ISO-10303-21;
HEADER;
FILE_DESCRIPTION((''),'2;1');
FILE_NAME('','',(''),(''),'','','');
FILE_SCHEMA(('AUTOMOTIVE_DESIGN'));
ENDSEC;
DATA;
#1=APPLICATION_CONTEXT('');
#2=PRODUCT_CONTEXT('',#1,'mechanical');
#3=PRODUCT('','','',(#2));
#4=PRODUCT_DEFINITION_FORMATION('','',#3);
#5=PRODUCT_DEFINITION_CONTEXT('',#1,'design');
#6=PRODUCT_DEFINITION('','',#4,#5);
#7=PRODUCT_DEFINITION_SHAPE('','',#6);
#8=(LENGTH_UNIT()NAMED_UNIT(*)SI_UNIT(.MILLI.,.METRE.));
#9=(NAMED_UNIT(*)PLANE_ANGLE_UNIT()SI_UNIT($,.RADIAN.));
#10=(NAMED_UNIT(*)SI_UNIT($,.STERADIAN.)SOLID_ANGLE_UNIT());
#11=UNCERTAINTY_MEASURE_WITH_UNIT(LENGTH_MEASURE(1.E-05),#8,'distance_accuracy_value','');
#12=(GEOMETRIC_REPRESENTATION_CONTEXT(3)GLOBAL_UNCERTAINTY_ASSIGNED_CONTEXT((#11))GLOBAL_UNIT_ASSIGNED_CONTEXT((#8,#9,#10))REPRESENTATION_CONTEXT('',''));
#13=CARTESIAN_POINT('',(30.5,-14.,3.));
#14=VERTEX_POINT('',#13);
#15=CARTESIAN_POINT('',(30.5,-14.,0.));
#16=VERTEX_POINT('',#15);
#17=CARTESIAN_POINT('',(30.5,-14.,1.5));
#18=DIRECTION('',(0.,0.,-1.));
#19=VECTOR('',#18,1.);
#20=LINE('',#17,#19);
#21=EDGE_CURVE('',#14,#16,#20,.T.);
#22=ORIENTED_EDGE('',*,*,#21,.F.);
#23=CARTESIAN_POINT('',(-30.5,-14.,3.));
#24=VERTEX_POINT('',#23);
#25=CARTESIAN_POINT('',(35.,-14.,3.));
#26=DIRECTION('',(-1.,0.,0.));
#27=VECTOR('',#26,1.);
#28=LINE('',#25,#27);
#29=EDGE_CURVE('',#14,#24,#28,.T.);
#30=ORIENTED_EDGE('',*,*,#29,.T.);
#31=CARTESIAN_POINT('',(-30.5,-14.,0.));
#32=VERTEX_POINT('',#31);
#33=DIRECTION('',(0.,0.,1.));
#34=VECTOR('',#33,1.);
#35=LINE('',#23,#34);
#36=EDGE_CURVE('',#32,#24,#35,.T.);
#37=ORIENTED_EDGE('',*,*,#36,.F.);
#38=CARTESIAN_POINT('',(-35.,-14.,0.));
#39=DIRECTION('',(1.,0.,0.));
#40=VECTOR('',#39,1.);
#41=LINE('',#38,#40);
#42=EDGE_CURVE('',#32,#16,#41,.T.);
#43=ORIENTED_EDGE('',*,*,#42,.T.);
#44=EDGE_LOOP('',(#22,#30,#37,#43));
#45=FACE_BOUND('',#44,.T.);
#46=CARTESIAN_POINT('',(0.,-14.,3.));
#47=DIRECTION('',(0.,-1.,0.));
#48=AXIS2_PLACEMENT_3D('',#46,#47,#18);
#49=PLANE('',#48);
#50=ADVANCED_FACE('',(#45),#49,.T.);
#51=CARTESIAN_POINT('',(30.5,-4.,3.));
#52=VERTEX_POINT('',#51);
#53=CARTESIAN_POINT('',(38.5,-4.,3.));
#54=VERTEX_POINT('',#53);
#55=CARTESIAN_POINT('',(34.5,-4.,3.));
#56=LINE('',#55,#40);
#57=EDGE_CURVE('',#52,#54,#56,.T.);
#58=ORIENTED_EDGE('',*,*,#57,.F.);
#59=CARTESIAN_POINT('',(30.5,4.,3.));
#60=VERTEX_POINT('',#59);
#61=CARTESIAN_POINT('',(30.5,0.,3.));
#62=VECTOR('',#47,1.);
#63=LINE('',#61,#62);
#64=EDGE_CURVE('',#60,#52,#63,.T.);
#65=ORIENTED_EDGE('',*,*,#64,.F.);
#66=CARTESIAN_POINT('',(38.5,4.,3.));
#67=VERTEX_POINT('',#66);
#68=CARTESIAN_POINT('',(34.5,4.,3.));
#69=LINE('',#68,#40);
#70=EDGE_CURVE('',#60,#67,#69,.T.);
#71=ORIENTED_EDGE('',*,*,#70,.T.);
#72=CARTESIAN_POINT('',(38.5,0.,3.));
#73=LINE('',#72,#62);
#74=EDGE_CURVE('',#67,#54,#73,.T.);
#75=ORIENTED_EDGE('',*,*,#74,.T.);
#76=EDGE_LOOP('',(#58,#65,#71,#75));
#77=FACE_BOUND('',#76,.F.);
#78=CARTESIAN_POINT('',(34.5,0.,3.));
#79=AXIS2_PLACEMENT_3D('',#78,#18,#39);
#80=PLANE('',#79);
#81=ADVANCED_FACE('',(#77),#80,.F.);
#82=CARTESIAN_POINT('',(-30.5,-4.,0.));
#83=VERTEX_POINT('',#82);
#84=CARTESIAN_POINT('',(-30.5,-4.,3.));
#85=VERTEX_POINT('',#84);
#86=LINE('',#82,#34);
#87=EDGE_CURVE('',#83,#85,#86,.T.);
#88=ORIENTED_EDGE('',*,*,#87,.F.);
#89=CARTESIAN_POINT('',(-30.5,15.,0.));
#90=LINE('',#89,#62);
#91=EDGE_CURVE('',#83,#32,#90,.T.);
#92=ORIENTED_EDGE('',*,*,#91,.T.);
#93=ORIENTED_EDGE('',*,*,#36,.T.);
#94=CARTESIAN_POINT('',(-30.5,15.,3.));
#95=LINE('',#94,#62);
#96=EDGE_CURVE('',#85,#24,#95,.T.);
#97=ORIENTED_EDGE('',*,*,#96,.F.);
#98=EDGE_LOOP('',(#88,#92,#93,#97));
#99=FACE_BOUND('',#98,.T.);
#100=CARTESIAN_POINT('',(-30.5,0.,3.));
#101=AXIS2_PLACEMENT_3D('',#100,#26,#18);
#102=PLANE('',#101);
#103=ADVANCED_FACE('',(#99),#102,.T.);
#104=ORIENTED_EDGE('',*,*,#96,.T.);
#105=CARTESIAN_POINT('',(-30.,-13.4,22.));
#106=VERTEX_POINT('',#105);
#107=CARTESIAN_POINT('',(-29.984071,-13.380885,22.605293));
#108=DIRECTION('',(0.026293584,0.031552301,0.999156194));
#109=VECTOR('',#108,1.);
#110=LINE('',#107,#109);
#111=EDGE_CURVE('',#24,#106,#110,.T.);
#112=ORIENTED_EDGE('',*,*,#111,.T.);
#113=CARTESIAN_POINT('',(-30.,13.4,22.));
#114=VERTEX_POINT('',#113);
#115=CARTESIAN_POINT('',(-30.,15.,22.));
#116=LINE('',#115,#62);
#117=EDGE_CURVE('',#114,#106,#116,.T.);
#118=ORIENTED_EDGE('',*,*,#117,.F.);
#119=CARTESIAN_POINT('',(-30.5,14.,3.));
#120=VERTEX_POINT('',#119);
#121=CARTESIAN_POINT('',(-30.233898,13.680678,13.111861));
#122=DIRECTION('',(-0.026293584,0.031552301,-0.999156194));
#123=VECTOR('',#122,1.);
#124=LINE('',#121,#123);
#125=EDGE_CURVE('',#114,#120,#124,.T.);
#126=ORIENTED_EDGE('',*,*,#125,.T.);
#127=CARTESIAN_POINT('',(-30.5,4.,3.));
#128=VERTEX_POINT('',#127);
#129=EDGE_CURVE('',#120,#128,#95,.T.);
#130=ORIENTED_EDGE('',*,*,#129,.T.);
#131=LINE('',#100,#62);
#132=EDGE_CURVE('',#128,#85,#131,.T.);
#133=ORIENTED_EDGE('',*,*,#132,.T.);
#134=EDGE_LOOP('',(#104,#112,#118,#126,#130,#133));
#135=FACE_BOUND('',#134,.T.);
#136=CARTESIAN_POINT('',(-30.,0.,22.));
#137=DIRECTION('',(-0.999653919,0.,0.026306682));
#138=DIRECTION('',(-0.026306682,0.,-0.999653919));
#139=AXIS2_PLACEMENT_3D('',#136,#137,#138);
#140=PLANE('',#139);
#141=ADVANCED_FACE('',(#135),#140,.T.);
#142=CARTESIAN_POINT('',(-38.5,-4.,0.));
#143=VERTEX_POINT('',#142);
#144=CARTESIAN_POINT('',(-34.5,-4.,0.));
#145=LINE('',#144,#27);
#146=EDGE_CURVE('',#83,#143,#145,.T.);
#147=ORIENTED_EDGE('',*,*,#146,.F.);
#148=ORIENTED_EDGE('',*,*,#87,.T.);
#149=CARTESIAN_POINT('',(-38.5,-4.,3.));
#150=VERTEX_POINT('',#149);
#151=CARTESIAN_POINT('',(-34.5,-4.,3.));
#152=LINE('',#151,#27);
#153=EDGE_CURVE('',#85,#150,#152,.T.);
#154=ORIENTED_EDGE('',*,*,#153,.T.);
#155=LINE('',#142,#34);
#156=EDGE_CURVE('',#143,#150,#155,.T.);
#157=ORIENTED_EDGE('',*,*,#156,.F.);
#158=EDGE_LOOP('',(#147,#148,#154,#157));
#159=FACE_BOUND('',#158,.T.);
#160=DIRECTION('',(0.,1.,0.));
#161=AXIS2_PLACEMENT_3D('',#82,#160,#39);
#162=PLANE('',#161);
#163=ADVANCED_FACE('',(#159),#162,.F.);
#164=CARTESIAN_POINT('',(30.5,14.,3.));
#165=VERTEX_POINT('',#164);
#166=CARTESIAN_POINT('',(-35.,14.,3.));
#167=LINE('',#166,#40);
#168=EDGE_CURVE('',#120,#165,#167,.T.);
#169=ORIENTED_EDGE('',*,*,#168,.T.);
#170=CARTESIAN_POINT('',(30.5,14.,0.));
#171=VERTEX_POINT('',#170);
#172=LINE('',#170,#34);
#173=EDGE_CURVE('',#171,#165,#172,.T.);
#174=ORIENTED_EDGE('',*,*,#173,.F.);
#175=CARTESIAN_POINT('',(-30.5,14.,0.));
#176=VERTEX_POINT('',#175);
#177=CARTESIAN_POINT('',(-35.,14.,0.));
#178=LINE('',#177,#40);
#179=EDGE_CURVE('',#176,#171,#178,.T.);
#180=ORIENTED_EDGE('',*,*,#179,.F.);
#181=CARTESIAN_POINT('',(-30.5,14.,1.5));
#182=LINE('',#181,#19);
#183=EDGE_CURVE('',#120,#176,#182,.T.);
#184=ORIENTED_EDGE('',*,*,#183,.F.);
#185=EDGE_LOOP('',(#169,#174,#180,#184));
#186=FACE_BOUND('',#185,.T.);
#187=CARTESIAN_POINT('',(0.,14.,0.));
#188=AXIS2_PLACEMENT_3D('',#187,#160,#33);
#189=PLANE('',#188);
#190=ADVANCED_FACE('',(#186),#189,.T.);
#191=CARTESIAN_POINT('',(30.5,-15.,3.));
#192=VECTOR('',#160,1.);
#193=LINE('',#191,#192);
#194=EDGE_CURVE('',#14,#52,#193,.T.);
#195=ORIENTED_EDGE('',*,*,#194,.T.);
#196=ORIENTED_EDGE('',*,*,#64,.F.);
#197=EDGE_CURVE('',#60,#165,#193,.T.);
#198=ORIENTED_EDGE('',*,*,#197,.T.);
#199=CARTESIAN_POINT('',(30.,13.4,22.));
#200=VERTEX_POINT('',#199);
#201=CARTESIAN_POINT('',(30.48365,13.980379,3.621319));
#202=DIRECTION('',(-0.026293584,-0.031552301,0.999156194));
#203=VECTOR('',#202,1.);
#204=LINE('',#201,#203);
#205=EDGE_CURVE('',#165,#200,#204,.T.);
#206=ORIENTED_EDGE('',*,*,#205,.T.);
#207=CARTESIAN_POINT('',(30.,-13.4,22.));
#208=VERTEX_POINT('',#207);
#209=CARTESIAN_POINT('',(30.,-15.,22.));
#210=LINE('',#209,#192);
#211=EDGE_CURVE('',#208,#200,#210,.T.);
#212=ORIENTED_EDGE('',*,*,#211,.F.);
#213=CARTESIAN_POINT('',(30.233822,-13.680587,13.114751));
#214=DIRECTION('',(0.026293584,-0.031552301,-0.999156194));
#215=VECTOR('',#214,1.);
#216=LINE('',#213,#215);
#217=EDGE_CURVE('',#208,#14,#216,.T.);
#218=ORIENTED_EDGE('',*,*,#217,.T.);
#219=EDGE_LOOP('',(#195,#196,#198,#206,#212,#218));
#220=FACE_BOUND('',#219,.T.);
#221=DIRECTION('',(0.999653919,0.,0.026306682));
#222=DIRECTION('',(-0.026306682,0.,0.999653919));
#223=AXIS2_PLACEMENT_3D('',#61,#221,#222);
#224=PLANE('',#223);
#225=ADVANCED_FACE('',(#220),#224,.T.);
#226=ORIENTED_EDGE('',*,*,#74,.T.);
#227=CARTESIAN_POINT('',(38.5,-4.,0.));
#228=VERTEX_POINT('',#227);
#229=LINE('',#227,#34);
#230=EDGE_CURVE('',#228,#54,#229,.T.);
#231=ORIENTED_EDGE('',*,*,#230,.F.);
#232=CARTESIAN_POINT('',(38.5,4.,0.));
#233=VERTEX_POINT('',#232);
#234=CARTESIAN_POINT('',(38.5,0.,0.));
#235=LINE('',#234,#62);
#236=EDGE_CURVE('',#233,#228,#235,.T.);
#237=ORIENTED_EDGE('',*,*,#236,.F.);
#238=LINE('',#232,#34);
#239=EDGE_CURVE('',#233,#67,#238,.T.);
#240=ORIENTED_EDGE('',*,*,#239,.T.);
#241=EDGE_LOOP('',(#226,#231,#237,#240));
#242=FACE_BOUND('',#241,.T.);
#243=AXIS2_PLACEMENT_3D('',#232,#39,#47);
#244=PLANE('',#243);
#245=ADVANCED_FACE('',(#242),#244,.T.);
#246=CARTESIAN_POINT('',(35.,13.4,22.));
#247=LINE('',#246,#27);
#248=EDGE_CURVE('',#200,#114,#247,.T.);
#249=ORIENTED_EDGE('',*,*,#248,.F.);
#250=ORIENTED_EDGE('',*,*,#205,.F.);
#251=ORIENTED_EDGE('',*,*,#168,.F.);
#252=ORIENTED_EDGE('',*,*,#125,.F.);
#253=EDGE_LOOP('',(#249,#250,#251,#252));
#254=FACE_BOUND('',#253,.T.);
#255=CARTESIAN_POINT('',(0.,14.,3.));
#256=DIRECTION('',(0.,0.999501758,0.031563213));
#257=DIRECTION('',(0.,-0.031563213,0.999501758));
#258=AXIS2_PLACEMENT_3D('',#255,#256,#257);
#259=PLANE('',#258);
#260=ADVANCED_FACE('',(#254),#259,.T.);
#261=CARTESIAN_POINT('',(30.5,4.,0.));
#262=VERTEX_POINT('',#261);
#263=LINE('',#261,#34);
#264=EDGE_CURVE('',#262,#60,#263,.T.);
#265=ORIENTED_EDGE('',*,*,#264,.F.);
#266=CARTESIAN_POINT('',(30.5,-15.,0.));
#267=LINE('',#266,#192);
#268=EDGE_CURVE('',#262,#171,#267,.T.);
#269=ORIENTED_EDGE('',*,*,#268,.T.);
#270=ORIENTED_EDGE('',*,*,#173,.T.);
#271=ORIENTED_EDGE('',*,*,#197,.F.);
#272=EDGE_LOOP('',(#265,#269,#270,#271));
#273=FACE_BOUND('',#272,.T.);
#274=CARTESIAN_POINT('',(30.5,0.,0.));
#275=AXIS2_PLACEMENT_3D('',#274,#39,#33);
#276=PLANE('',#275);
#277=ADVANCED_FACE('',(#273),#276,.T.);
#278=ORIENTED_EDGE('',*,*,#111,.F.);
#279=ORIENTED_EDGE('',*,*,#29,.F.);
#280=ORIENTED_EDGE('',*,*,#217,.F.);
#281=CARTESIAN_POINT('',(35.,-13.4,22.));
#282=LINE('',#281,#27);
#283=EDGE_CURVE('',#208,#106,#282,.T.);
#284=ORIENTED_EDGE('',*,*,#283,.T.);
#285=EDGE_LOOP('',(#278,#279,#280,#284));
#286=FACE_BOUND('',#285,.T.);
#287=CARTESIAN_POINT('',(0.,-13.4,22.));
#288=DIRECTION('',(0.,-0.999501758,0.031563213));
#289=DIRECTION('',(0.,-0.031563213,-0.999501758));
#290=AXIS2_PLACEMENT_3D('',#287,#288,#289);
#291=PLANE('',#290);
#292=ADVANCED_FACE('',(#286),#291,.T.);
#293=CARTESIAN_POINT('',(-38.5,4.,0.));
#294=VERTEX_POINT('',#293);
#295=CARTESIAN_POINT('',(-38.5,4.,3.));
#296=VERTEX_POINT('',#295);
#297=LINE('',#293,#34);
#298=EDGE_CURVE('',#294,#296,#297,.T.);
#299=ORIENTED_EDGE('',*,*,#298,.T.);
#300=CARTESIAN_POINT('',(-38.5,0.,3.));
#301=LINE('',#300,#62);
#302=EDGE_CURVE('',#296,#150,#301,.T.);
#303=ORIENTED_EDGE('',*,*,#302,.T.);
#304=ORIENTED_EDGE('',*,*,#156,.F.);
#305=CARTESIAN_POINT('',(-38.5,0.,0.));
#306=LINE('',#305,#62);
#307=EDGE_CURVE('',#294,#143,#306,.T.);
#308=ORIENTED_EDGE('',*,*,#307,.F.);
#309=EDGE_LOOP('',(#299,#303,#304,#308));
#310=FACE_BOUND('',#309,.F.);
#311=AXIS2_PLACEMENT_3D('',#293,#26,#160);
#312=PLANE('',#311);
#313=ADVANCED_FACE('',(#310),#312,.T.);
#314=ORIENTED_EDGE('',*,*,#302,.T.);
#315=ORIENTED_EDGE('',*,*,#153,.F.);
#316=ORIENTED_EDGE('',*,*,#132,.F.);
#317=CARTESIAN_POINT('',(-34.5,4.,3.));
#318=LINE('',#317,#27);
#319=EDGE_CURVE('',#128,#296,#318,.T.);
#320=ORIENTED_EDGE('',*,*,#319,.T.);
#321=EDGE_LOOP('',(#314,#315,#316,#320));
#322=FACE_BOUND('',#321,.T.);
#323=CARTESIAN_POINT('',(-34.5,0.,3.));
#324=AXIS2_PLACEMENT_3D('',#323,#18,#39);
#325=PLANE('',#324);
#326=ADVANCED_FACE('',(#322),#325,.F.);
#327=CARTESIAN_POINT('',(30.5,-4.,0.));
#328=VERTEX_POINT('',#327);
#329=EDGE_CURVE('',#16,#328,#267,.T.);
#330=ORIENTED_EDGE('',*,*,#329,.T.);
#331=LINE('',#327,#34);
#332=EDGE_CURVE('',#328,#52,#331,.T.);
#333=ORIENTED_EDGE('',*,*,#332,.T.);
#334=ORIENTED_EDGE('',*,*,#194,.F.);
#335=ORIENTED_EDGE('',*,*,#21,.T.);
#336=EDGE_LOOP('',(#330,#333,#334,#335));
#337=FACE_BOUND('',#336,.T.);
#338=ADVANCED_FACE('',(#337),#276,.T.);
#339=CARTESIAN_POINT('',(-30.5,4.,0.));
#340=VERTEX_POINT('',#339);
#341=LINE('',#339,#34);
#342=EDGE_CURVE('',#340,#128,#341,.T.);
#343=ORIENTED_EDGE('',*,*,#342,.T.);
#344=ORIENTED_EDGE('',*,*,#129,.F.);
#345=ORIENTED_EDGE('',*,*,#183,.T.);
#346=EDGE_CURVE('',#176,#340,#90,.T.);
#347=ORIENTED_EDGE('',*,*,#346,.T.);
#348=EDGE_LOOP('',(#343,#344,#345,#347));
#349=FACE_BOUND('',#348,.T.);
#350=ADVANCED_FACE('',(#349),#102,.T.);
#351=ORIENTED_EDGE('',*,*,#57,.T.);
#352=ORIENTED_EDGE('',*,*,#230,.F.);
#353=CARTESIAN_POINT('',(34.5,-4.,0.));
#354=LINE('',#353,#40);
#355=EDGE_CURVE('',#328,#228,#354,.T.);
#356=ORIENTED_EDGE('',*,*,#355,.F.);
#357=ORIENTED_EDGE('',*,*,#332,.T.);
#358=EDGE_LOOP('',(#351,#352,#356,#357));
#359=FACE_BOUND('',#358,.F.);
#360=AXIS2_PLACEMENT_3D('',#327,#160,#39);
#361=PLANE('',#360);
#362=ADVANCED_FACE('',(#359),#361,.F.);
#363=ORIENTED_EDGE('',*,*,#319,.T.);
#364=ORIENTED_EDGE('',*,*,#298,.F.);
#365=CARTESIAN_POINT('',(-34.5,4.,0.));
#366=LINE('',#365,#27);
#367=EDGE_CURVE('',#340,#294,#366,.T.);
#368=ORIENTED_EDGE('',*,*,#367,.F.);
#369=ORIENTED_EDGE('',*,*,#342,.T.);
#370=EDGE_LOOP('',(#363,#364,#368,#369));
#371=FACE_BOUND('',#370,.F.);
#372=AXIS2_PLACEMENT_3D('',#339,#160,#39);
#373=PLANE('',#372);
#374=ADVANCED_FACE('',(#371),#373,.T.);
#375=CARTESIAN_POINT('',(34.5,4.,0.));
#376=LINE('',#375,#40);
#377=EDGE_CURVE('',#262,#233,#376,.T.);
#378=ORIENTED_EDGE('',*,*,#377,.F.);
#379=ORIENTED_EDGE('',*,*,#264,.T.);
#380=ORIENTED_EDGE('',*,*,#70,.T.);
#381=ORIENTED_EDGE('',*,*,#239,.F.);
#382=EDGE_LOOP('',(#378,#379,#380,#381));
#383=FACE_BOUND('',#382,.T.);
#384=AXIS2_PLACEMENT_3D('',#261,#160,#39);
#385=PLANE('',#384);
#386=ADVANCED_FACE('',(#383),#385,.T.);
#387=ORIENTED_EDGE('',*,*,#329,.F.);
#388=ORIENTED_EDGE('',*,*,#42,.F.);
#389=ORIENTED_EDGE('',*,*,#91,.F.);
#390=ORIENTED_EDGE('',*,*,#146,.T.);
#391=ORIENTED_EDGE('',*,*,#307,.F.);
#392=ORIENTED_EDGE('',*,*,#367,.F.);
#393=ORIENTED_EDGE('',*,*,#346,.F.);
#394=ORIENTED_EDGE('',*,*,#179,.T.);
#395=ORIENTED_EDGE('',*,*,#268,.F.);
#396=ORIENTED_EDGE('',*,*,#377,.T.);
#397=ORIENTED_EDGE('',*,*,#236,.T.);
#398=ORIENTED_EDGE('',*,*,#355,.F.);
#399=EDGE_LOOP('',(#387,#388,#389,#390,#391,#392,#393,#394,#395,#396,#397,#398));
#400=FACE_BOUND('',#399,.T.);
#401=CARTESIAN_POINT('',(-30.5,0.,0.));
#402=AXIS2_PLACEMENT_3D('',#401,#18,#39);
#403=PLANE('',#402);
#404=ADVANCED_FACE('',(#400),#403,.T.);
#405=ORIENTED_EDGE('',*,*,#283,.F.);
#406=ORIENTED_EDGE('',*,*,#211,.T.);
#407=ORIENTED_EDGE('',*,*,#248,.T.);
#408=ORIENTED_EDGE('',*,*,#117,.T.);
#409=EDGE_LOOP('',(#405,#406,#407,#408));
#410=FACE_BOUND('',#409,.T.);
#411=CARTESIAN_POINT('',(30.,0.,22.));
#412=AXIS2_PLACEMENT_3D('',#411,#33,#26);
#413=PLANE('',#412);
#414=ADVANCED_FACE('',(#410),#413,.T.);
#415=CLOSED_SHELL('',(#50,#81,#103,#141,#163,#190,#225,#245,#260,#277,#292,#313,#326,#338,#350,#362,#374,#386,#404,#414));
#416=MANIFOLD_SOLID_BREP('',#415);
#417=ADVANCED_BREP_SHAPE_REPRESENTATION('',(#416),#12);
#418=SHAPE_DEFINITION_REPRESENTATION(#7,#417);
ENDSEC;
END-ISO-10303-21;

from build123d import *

# Parameters (mm, degrees)
F1_DEPTH = 15
F3_DEPTH = 35
F4_W     = 8
F4_H     = 8
F5_DEPTH = 3


with BuildPart() as f1:
    # F0 (on Front) → F1 (new body, symmetric)
    with BuildSketch(Plane.XZ):
        Polygon((30, 22), (-30, 22), (-30.5, 3), (-30.5, 0), (30.5, 0), (30.5, 3), align=None)
    extrude(amount=F1_DEPTH, both=True)

    # F2 (on Right) → F3 (intersect, symmetric)
    with BuildSketch(Plane.YZ):
        Polygon((-14, 3), (-14, 0), (14, 0), (14, 3), (13.4, 22), (-13.4, 22), align=None)
    extrude(amount=F3_DEPTH, both=True, mode=Mode.INTERSECT)

    # F4 (on face) → F5 (join)
    with BuildSketch(Plane(origin=(0, 0, 0), x_dir=(1, 0, 0), z_dir=(0, 0, -1))):
        with Locations((34.5, 0)):
            Rectangle(F4_W, F4_H)
    extrude(amount=-F5_DEPTH)

    # F6: F1 across plane


with BuildPart() as f1_1:
    add(f1.part)
    add(f1.part.mirror(Plane.YZ))


solid = f1_1.part
